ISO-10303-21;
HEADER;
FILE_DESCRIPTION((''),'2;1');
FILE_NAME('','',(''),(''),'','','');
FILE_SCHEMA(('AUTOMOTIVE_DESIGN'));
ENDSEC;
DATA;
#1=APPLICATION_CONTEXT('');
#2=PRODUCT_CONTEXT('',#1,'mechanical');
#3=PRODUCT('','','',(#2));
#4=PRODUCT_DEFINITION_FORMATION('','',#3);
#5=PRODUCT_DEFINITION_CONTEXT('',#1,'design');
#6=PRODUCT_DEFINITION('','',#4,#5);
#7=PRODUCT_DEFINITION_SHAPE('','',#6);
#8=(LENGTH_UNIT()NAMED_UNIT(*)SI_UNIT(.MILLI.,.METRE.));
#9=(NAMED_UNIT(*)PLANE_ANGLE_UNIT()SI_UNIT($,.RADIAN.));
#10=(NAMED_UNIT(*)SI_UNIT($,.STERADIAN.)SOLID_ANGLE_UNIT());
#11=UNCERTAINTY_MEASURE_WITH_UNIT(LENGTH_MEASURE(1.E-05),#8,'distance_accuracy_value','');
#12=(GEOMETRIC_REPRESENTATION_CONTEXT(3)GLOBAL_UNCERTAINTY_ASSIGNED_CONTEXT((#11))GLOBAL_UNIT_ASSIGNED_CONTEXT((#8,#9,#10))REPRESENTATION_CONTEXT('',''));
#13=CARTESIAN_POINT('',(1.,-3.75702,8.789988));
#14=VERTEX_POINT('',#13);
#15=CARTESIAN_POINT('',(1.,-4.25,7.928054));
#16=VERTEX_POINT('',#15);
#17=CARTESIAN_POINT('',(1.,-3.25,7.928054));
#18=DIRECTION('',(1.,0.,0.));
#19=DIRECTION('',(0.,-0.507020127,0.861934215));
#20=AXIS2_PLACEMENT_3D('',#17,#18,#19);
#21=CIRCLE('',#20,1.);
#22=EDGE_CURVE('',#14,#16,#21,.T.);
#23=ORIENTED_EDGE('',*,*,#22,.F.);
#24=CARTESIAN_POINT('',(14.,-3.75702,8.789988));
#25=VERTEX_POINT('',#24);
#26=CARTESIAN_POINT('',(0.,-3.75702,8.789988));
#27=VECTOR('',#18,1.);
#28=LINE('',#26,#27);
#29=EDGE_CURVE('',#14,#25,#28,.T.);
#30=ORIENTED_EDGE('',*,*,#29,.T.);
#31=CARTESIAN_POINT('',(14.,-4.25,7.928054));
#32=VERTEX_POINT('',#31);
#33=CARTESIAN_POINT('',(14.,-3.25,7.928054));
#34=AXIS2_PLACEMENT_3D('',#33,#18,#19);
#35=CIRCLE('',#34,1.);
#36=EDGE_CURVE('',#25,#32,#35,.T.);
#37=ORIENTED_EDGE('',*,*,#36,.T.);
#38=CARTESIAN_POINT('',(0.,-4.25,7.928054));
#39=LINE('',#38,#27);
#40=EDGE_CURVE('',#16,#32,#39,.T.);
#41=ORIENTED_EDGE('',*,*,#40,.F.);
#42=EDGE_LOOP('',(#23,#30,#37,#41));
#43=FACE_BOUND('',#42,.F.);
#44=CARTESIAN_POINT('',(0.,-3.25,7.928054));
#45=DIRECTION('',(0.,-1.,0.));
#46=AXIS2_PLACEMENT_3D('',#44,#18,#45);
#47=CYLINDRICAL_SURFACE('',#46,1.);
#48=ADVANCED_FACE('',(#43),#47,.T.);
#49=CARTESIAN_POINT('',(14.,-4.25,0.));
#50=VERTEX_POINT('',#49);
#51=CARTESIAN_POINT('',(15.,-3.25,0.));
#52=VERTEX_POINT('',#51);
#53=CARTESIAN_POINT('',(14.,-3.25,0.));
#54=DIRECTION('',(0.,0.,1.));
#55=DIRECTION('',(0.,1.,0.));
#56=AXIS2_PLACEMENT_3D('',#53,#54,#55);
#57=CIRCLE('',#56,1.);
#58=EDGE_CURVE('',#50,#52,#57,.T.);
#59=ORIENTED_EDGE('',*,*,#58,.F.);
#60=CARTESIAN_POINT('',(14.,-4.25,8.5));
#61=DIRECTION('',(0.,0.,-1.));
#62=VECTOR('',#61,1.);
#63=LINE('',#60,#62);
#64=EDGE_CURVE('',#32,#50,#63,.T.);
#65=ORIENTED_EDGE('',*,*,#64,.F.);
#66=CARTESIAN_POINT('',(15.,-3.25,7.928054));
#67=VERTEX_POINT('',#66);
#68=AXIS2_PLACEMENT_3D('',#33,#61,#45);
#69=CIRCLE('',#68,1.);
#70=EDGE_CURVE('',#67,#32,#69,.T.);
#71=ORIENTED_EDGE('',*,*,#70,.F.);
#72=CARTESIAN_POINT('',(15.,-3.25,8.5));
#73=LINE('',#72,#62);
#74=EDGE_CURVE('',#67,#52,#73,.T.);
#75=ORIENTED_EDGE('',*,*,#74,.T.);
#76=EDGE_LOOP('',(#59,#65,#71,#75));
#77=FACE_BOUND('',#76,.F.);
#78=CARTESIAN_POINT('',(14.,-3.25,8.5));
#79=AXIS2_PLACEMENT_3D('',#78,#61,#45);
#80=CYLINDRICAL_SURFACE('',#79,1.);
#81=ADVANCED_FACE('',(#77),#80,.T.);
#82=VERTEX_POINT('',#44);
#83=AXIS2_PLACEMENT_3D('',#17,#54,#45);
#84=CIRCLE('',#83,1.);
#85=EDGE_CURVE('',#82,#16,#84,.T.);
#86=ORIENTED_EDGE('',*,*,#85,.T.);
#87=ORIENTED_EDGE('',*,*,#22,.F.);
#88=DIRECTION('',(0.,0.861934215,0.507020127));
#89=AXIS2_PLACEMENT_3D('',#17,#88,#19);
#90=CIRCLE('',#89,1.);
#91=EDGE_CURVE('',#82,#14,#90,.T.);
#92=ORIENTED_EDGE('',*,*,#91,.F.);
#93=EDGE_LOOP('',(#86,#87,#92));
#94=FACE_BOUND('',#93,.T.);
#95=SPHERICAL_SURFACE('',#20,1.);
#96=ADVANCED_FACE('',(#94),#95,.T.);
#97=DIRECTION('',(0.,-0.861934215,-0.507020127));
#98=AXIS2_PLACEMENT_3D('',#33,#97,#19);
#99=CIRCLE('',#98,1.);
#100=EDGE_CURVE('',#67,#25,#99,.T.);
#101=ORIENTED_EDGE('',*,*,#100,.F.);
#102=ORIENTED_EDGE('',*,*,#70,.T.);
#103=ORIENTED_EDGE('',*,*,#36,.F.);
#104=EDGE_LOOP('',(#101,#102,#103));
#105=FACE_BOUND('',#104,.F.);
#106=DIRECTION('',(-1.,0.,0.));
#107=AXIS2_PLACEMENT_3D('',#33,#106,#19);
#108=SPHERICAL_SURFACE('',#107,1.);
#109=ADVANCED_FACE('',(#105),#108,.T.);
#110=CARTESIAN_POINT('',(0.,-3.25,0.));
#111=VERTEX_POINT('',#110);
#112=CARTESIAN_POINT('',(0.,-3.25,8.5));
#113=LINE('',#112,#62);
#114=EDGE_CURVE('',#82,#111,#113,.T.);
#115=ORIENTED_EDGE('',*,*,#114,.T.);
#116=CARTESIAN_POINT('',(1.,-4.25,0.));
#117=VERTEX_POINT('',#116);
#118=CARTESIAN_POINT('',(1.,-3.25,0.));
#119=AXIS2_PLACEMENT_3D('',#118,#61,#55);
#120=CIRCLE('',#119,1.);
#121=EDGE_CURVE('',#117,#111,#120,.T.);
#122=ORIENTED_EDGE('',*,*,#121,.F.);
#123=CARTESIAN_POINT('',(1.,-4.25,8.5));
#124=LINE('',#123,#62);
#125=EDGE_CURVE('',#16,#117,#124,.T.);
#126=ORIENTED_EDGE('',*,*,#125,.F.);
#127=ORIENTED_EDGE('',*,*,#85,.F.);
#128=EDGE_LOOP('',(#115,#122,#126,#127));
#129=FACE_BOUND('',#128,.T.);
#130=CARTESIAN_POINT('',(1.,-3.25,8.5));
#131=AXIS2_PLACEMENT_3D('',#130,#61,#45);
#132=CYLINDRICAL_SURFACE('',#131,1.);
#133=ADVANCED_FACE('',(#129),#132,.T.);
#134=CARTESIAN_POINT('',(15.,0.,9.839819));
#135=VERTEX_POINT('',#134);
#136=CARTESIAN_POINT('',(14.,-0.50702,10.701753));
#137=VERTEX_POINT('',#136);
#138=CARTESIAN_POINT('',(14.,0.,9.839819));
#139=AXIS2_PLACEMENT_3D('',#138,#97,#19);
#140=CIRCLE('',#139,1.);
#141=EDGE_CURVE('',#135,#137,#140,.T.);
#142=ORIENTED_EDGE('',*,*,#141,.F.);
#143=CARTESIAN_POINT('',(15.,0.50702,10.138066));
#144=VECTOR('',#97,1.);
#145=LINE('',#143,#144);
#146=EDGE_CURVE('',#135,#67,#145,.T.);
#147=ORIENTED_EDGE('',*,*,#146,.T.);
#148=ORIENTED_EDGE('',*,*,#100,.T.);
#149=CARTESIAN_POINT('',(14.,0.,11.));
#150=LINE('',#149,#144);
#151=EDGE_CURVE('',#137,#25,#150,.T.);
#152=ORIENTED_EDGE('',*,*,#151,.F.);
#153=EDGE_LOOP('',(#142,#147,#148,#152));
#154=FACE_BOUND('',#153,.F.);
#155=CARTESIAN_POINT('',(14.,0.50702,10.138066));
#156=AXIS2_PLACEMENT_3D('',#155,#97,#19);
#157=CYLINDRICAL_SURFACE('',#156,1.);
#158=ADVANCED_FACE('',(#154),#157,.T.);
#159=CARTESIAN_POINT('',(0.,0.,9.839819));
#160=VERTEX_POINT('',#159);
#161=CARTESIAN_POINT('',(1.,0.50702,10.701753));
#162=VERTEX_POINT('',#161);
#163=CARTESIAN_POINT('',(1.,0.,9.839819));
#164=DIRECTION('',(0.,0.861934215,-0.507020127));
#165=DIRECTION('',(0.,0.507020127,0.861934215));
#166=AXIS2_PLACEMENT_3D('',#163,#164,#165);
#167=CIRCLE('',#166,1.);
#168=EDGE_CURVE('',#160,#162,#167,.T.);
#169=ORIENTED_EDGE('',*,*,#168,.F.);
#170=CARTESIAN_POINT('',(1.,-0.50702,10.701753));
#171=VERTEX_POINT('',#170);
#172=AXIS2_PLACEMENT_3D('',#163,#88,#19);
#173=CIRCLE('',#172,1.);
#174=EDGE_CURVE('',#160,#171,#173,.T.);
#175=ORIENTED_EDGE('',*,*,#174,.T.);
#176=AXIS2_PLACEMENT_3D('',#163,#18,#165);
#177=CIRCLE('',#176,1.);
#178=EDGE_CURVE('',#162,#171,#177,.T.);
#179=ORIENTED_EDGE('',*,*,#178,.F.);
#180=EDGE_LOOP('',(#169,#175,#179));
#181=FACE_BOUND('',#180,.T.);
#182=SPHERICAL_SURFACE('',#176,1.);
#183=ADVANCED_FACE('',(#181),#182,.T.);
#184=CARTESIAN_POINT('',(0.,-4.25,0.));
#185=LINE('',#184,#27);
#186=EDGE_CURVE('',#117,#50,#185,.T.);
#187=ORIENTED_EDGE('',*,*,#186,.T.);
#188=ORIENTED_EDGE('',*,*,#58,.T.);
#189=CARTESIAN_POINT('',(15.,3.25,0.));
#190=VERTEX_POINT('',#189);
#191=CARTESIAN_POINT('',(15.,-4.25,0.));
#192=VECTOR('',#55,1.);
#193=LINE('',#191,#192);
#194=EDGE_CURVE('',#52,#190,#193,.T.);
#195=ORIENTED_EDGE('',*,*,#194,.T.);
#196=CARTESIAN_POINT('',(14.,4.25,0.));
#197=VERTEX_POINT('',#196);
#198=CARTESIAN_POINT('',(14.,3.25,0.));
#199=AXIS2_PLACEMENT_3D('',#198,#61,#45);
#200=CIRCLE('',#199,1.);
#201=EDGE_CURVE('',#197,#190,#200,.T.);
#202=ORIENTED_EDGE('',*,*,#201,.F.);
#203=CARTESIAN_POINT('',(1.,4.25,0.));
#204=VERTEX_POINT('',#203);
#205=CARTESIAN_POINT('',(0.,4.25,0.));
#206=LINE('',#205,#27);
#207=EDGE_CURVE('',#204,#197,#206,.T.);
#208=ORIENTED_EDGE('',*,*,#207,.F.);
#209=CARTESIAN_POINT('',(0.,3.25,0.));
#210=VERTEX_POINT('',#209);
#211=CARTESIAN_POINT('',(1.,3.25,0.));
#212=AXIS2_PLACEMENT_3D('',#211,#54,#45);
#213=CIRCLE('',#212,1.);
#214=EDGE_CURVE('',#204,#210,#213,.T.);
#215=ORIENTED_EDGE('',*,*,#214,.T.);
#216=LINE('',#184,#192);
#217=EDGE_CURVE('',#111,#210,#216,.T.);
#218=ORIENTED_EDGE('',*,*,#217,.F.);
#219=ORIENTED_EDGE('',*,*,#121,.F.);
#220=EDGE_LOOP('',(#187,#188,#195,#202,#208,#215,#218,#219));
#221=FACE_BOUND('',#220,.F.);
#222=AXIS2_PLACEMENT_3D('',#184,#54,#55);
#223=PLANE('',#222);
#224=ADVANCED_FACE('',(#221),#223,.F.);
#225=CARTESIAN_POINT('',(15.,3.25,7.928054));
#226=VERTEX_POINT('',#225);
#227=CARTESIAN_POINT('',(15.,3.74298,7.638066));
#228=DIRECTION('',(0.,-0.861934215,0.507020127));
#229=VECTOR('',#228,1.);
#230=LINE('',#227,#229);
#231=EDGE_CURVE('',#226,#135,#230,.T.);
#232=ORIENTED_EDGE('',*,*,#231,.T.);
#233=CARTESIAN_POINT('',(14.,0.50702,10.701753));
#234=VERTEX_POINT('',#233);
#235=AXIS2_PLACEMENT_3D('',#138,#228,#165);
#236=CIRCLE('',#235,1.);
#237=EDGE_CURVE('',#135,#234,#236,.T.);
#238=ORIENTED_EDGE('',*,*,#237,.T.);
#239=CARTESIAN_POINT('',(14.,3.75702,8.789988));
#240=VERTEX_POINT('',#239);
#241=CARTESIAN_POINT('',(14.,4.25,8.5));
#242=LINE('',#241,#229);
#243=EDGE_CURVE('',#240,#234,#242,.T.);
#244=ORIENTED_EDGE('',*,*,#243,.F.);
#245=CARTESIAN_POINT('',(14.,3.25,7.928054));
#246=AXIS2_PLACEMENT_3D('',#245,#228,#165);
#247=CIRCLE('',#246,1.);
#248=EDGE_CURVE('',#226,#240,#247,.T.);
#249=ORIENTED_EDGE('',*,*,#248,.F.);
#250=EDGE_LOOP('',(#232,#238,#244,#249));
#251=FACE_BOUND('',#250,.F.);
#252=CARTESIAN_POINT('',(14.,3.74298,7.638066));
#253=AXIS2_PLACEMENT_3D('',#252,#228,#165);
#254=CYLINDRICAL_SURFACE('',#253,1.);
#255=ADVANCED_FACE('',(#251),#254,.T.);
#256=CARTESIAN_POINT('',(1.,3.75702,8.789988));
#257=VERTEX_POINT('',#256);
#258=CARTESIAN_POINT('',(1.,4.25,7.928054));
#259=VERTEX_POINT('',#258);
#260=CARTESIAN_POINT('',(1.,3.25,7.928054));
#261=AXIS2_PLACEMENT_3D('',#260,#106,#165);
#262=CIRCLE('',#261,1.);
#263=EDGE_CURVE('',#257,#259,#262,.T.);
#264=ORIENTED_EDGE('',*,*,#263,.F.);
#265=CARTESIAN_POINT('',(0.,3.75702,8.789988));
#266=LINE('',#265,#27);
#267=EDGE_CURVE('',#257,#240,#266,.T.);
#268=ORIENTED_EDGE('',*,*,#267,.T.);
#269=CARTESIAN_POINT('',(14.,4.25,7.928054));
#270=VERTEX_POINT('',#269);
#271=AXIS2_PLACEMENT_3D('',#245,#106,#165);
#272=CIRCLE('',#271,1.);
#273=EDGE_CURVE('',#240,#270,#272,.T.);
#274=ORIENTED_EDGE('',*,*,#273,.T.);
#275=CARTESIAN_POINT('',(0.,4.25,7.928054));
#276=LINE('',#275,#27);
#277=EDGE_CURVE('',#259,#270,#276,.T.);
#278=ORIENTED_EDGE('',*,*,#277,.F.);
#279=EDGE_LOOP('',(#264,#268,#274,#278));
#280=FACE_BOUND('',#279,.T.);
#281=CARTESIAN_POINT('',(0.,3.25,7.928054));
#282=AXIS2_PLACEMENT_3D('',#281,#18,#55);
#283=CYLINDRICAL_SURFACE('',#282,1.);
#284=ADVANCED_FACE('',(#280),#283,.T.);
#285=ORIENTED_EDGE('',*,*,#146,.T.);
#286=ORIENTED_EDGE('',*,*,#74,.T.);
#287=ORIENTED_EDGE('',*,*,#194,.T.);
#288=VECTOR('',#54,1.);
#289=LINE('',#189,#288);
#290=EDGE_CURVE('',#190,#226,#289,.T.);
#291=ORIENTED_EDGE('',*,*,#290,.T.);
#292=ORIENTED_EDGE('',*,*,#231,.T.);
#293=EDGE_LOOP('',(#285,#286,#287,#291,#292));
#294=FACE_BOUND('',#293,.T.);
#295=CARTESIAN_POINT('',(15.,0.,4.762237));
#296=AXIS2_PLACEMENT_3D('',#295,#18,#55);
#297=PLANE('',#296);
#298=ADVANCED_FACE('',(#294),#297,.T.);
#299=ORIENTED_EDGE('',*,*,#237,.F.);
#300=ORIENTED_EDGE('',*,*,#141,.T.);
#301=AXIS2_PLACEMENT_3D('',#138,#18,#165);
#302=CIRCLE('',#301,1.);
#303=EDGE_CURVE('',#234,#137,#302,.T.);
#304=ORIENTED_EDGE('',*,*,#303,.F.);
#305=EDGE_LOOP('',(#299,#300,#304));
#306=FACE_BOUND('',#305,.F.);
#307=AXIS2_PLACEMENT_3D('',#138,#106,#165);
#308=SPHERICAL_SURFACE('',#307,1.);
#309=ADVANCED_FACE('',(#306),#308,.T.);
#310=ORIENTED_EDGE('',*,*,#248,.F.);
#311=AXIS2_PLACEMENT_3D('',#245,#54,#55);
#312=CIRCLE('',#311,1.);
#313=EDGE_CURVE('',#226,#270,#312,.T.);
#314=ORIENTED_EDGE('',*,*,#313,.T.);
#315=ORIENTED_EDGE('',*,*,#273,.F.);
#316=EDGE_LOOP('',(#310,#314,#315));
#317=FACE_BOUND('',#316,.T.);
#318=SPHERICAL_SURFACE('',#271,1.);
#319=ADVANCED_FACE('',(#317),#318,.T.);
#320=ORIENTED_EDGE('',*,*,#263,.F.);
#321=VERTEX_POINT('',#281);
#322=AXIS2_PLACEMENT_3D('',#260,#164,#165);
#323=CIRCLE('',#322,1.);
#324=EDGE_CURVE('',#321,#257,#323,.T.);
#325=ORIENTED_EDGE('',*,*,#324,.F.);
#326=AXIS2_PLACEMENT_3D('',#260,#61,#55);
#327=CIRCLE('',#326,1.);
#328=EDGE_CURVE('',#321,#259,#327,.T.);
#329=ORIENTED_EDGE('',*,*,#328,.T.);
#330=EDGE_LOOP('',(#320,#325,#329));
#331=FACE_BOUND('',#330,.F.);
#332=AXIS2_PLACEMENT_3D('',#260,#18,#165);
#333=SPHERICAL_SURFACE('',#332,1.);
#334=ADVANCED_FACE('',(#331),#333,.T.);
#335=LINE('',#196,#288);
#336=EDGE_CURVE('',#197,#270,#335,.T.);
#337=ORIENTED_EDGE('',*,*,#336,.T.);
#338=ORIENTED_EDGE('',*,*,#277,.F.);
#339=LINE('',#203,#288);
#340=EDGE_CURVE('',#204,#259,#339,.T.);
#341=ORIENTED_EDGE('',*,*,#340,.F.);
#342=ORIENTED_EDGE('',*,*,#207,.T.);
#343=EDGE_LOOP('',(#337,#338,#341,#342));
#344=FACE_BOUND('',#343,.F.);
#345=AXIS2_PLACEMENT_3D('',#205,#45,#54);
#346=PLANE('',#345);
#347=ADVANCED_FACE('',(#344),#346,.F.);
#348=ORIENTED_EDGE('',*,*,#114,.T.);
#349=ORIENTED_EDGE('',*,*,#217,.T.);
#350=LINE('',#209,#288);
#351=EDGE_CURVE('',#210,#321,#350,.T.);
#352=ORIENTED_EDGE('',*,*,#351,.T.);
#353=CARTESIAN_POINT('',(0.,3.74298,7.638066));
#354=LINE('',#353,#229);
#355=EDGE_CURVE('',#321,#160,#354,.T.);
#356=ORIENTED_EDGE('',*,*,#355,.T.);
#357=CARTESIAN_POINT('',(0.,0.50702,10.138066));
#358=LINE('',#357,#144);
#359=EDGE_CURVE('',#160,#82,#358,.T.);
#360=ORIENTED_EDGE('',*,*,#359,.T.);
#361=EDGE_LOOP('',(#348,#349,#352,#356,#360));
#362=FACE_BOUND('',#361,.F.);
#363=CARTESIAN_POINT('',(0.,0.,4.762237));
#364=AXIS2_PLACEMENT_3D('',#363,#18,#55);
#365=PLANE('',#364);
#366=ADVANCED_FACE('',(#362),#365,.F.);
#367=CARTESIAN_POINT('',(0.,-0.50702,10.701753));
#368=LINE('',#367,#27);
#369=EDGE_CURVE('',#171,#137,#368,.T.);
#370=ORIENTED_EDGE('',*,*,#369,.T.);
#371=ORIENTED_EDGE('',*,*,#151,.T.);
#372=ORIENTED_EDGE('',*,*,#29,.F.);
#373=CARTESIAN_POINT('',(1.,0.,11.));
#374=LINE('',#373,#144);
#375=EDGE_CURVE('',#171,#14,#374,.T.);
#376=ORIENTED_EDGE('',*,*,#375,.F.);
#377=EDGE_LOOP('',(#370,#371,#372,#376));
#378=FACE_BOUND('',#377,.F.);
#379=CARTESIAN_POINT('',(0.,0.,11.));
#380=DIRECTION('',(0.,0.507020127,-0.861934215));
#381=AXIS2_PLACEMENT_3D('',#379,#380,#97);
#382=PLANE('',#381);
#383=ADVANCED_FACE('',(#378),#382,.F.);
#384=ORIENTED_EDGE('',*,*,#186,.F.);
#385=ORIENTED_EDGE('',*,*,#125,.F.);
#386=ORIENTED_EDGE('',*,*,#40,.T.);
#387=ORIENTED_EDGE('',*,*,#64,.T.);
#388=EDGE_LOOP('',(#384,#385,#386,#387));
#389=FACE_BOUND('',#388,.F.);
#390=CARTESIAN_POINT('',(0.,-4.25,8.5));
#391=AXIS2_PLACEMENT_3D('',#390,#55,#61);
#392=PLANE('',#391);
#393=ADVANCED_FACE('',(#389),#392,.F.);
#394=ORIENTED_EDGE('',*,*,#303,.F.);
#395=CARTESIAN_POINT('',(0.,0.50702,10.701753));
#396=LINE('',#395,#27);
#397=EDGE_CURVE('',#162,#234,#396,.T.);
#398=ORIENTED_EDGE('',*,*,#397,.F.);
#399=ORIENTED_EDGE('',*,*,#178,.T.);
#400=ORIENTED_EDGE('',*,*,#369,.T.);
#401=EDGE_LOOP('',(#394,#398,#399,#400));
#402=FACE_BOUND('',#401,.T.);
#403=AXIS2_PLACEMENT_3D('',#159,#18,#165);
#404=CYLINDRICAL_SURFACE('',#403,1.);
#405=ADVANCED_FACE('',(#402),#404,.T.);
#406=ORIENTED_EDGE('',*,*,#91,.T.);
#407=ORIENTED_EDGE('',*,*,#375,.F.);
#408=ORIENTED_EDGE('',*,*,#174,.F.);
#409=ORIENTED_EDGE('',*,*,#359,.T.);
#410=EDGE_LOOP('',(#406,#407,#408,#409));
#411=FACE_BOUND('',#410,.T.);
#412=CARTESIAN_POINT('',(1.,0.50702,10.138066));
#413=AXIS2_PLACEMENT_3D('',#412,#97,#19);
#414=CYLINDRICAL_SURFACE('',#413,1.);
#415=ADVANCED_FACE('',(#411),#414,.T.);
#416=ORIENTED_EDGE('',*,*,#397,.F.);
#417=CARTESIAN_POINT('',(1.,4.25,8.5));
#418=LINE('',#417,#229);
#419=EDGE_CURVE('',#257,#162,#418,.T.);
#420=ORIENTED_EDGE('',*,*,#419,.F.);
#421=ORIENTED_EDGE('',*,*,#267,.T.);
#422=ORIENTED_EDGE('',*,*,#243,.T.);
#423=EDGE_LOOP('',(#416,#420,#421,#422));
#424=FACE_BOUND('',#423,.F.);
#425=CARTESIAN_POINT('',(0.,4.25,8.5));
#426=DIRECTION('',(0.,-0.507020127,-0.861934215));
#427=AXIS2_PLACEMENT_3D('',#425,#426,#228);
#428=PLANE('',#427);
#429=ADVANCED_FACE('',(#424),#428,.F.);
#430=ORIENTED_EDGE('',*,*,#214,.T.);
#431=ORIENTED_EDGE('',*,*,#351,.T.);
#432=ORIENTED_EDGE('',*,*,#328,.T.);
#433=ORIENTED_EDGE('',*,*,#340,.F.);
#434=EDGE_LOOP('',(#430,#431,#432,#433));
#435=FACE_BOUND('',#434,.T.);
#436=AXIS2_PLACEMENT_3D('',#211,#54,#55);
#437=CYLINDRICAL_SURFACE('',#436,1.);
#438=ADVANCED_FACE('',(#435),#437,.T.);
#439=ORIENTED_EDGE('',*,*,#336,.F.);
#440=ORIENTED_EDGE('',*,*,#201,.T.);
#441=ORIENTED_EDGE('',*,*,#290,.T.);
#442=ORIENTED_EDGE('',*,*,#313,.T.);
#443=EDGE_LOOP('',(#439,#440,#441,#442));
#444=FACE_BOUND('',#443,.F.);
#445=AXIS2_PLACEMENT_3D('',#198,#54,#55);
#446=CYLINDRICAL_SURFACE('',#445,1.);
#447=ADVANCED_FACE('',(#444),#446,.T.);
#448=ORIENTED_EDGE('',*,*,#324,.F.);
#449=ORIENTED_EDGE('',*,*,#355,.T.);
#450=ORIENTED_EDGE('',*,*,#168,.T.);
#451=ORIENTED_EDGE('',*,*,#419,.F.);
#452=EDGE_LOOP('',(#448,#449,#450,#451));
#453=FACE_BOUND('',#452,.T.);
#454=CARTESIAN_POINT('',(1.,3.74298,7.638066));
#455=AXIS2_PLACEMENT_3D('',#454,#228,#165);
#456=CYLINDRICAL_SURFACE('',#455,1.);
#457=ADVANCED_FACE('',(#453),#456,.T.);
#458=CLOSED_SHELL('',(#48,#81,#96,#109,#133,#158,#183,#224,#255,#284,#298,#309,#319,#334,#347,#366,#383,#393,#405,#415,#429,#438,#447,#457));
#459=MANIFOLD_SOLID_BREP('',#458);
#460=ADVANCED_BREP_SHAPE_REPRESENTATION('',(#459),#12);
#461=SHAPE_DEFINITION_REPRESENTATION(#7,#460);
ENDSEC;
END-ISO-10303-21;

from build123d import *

# Parameters (mm, degrees)
F1_DEPTH = 15
F2_R     = 1


with BuildPart() as f1:
    # F0 (on Right) → F1 (new body)
    with BuildSketch(Plane.YZ):
        Polygon((-4.25, 8.5), (-4.25, 0), (0, 0), (4.25, 0), (4.25, 8.5), (0, 11), align=None)
    extrude(amount=F1_DEPTH)

    # F2
    f2_edges = [f1.edges().sort_by_distance(p)[0] for p in [
        (7.5, -4.25, 8.5),
        (7.5, 0, 11),
        (7.5, 4.25, 8.5),
        (15, 2.125, 9.75),
        (15, -2.125, 9.75),
        (0, 2.125, 9.75),
        (0, -2.125, 9.75),
        (0, -4.25, 4.25),
        (0, 4.25, 4.25),
        (15, -4.25, 4.25),
        (15, 4.25, 4.25),
    ]]
    fillet(f2_edges, radius=F2_R)


solid = f1.part
